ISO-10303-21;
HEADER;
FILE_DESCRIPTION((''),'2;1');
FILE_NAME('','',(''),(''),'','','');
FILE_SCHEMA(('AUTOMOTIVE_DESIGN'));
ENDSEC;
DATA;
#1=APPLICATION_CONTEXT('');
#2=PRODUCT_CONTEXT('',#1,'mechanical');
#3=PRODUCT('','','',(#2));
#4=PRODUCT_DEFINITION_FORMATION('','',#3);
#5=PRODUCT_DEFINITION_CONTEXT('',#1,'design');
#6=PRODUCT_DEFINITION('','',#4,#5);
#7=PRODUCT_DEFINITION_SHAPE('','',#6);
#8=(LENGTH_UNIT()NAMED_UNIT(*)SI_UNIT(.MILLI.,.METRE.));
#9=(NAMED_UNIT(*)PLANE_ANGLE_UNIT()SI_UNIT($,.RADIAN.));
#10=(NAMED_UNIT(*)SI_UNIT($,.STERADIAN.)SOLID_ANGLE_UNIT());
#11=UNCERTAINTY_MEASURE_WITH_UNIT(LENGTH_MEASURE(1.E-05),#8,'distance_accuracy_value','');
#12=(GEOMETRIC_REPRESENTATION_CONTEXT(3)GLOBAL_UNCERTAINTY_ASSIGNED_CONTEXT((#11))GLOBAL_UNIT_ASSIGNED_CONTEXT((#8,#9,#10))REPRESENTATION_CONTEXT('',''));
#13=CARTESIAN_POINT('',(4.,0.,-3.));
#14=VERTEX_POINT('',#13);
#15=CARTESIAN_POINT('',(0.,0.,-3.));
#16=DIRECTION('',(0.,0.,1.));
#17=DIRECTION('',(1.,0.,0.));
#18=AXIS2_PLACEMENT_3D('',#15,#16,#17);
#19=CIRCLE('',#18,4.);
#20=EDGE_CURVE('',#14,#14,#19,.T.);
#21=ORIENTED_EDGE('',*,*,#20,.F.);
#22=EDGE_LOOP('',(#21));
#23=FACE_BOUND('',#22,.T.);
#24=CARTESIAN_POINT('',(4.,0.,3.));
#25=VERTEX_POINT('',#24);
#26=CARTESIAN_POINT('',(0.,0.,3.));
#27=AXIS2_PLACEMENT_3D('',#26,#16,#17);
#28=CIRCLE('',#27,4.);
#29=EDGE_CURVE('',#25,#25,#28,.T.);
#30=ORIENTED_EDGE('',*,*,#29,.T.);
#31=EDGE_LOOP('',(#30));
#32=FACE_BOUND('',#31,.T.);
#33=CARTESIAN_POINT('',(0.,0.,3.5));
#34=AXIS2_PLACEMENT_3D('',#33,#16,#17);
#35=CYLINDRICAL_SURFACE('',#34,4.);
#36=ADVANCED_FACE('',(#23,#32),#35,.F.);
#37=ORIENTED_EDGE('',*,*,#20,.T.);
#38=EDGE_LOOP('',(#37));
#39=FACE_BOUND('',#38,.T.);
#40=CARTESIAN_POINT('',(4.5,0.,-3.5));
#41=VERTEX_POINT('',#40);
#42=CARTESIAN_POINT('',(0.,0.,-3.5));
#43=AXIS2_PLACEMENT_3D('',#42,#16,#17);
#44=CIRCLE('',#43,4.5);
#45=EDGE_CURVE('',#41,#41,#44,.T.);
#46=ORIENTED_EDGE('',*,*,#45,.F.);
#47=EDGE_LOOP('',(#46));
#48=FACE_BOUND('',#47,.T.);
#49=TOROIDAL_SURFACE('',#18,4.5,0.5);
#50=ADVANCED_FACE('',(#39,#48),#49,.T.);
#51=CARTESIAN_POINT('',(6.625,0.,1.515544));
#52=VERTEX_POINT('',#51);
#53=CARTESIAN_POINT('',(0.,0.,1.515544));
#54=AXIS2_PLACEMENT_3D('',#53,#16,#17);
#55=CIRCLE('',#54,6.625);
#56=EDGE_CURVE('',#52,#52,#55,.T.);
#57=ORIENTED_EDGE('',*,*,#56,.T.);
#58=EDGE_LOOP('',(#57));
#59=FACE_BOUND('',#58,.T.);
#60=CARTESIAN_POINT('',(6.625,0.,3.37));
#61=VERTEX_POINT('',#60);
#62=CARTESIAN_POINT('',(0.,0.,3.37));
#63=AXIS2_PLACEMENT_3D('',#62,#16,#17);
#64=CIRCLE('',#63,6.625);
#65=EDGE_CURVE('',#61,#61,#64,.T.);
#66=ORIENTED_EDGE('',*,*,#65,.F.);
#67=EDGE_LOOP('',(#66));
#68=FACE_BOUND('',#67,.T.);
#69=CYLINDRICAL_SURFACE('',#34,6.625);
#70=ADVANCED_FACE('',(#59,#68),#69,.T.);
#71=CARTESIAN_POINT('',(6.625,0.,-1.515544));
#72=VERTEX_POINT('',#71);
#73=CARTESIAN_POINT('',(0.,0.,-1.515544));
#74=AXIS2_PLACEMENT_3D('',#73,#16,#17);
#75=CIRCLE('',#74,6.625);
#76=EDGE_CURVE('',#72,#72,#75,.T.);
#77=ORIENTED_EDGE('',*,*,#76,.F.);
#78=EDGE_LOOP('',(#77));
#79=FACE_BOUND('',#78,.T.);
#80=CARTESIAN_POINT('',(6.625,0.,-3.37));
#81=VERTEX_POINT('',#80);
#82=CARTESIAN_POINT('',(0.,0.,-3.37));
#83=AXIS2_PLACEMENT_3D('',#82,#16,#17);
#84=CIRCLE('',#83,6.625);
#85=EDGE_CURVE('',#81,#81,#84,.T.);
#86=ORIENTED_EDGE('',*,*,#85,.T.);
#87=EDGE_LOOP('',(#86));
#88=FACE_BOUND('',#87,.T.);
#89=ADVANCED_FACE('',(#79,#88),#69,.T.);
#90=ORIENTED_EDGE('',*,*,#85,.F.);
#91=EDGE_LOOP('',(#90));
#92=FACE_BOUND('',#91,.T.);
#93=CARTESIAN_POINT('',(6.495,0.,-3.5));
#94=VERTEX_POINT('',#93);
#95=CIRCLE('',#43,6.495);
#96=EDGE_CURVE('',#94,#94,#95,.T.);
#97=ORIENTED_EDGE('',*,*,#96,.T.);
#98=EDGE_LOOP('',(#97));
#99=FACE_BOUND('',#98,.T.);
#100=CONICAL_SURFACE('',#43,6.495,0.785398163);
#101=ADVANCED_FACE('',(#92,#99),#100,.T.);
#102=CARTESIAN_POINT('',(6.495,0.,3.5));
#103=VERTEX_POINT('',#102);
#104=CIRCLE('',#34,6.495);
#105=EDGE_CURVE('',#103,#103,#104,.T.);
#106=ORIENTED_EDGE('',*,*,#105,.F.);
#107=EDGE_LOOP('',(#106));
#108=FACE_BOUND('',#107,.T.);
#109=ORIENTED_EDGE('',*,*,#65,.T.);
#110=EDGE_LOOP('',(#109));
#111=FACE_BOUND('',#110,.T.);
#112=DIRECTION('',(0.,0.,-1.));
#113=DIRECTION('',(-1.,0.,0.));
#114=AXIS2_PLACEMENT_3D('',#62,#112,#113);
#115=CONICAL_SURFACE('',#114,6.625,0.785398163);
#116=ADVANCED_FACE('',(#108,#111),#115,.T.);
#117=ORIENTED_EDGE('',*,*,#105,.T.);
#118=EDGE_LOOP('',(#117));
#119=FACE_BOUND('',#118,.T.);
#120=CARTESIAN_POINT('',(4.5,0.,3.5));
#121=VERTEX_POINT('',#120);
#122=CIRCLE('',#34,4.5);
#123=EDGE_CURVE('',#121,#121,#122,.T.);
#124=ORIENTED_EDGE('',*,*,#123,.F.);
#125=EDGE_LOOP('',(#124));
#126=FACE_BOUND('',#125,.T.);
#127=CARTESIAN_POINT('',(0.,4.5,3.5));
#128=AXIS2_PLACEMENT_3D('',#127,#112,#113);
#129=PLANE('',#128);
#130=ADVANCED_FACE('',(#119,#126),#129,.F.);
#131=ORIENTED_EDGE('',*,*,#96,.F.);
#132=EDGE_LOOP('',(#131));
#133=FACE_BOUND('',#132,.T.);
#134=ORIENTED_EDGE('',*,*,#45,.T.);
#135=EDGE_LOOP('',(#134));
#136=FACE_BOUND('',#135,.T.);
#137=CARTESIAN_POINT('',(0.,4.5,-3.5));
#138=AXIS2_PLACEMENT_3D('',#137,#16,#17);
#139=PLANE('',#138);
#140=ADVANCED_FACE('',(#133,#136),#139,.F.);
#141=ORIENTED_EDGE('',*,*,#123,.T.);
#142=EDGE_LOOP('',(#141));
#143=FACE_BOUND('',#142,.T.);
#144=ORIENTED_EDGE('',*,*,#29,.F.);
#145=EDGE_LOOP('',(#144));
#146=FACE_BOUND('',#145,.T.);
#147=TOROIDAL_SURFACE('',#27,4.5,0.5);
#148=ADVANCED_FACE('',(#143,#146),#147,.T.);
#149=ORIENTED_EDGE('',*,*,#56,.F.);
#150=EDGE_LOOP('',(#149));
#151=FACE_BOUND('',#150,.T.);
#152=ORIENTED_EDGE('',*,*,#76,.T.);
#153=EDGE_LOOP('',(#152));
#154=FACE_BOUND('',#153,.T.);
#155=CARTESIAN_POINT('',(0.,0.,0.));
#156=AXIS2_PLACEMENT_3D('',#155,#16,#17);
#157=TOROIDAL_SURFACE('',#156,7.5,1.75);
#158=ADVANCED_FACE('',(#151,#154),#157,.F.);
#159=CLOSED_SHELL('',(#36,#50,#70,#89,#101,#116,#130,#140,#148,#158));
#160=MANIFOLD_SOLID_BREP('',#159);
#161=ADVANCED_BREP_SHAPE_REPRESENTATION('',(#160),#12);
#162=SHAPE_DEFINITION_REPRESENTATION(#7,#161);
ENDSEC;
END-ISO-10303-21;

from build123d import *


with BuildPart() as part:
    # Sketch2 → Revolve1 (revolve)
    with BuildSketch(Plane(origin=(0, 0, 0), x_dir=(0, 0, -1), z_dir=(1, 0, 0)), mode=Mode.PRIVATE) as revolve1_sk:
        with BuildLine():
            Line((3, 4), (-3, 4))
            ThreePointArc((-3, 4), (-3.353553391, 4.146446609), (-3.5, 4.5))
            Line((-3.5, 4.5), (-3.5, 6.495))
            Line((-3.5, 6.495), (-3.37, 6.625))
            Line((-3.37, 6.625), (-1.515544457, 6.625))
            ThreePointArc((-1.515544457, 6.625), (0, 5.75), (1.515544457, 6.625))
            Line((1.515544457, 6.625), (3.37, 6.625))
            Line((3.37, 6.625), (3.5, 6.495))
            Line((3.5, 6.495), (3.5, 4.5))
            ThreePointArc((3.5, 4.5), (3.353553391, 4.146446609), (3, 4))
        make_face()
    revolve(revolve1_sk.sketch.rotate(Axis((0, 0, 3.5), (0, 0, -1)), 90), axis=Axis((0, 0, 3.5), (0, 0, -1)))


solid = part.part
